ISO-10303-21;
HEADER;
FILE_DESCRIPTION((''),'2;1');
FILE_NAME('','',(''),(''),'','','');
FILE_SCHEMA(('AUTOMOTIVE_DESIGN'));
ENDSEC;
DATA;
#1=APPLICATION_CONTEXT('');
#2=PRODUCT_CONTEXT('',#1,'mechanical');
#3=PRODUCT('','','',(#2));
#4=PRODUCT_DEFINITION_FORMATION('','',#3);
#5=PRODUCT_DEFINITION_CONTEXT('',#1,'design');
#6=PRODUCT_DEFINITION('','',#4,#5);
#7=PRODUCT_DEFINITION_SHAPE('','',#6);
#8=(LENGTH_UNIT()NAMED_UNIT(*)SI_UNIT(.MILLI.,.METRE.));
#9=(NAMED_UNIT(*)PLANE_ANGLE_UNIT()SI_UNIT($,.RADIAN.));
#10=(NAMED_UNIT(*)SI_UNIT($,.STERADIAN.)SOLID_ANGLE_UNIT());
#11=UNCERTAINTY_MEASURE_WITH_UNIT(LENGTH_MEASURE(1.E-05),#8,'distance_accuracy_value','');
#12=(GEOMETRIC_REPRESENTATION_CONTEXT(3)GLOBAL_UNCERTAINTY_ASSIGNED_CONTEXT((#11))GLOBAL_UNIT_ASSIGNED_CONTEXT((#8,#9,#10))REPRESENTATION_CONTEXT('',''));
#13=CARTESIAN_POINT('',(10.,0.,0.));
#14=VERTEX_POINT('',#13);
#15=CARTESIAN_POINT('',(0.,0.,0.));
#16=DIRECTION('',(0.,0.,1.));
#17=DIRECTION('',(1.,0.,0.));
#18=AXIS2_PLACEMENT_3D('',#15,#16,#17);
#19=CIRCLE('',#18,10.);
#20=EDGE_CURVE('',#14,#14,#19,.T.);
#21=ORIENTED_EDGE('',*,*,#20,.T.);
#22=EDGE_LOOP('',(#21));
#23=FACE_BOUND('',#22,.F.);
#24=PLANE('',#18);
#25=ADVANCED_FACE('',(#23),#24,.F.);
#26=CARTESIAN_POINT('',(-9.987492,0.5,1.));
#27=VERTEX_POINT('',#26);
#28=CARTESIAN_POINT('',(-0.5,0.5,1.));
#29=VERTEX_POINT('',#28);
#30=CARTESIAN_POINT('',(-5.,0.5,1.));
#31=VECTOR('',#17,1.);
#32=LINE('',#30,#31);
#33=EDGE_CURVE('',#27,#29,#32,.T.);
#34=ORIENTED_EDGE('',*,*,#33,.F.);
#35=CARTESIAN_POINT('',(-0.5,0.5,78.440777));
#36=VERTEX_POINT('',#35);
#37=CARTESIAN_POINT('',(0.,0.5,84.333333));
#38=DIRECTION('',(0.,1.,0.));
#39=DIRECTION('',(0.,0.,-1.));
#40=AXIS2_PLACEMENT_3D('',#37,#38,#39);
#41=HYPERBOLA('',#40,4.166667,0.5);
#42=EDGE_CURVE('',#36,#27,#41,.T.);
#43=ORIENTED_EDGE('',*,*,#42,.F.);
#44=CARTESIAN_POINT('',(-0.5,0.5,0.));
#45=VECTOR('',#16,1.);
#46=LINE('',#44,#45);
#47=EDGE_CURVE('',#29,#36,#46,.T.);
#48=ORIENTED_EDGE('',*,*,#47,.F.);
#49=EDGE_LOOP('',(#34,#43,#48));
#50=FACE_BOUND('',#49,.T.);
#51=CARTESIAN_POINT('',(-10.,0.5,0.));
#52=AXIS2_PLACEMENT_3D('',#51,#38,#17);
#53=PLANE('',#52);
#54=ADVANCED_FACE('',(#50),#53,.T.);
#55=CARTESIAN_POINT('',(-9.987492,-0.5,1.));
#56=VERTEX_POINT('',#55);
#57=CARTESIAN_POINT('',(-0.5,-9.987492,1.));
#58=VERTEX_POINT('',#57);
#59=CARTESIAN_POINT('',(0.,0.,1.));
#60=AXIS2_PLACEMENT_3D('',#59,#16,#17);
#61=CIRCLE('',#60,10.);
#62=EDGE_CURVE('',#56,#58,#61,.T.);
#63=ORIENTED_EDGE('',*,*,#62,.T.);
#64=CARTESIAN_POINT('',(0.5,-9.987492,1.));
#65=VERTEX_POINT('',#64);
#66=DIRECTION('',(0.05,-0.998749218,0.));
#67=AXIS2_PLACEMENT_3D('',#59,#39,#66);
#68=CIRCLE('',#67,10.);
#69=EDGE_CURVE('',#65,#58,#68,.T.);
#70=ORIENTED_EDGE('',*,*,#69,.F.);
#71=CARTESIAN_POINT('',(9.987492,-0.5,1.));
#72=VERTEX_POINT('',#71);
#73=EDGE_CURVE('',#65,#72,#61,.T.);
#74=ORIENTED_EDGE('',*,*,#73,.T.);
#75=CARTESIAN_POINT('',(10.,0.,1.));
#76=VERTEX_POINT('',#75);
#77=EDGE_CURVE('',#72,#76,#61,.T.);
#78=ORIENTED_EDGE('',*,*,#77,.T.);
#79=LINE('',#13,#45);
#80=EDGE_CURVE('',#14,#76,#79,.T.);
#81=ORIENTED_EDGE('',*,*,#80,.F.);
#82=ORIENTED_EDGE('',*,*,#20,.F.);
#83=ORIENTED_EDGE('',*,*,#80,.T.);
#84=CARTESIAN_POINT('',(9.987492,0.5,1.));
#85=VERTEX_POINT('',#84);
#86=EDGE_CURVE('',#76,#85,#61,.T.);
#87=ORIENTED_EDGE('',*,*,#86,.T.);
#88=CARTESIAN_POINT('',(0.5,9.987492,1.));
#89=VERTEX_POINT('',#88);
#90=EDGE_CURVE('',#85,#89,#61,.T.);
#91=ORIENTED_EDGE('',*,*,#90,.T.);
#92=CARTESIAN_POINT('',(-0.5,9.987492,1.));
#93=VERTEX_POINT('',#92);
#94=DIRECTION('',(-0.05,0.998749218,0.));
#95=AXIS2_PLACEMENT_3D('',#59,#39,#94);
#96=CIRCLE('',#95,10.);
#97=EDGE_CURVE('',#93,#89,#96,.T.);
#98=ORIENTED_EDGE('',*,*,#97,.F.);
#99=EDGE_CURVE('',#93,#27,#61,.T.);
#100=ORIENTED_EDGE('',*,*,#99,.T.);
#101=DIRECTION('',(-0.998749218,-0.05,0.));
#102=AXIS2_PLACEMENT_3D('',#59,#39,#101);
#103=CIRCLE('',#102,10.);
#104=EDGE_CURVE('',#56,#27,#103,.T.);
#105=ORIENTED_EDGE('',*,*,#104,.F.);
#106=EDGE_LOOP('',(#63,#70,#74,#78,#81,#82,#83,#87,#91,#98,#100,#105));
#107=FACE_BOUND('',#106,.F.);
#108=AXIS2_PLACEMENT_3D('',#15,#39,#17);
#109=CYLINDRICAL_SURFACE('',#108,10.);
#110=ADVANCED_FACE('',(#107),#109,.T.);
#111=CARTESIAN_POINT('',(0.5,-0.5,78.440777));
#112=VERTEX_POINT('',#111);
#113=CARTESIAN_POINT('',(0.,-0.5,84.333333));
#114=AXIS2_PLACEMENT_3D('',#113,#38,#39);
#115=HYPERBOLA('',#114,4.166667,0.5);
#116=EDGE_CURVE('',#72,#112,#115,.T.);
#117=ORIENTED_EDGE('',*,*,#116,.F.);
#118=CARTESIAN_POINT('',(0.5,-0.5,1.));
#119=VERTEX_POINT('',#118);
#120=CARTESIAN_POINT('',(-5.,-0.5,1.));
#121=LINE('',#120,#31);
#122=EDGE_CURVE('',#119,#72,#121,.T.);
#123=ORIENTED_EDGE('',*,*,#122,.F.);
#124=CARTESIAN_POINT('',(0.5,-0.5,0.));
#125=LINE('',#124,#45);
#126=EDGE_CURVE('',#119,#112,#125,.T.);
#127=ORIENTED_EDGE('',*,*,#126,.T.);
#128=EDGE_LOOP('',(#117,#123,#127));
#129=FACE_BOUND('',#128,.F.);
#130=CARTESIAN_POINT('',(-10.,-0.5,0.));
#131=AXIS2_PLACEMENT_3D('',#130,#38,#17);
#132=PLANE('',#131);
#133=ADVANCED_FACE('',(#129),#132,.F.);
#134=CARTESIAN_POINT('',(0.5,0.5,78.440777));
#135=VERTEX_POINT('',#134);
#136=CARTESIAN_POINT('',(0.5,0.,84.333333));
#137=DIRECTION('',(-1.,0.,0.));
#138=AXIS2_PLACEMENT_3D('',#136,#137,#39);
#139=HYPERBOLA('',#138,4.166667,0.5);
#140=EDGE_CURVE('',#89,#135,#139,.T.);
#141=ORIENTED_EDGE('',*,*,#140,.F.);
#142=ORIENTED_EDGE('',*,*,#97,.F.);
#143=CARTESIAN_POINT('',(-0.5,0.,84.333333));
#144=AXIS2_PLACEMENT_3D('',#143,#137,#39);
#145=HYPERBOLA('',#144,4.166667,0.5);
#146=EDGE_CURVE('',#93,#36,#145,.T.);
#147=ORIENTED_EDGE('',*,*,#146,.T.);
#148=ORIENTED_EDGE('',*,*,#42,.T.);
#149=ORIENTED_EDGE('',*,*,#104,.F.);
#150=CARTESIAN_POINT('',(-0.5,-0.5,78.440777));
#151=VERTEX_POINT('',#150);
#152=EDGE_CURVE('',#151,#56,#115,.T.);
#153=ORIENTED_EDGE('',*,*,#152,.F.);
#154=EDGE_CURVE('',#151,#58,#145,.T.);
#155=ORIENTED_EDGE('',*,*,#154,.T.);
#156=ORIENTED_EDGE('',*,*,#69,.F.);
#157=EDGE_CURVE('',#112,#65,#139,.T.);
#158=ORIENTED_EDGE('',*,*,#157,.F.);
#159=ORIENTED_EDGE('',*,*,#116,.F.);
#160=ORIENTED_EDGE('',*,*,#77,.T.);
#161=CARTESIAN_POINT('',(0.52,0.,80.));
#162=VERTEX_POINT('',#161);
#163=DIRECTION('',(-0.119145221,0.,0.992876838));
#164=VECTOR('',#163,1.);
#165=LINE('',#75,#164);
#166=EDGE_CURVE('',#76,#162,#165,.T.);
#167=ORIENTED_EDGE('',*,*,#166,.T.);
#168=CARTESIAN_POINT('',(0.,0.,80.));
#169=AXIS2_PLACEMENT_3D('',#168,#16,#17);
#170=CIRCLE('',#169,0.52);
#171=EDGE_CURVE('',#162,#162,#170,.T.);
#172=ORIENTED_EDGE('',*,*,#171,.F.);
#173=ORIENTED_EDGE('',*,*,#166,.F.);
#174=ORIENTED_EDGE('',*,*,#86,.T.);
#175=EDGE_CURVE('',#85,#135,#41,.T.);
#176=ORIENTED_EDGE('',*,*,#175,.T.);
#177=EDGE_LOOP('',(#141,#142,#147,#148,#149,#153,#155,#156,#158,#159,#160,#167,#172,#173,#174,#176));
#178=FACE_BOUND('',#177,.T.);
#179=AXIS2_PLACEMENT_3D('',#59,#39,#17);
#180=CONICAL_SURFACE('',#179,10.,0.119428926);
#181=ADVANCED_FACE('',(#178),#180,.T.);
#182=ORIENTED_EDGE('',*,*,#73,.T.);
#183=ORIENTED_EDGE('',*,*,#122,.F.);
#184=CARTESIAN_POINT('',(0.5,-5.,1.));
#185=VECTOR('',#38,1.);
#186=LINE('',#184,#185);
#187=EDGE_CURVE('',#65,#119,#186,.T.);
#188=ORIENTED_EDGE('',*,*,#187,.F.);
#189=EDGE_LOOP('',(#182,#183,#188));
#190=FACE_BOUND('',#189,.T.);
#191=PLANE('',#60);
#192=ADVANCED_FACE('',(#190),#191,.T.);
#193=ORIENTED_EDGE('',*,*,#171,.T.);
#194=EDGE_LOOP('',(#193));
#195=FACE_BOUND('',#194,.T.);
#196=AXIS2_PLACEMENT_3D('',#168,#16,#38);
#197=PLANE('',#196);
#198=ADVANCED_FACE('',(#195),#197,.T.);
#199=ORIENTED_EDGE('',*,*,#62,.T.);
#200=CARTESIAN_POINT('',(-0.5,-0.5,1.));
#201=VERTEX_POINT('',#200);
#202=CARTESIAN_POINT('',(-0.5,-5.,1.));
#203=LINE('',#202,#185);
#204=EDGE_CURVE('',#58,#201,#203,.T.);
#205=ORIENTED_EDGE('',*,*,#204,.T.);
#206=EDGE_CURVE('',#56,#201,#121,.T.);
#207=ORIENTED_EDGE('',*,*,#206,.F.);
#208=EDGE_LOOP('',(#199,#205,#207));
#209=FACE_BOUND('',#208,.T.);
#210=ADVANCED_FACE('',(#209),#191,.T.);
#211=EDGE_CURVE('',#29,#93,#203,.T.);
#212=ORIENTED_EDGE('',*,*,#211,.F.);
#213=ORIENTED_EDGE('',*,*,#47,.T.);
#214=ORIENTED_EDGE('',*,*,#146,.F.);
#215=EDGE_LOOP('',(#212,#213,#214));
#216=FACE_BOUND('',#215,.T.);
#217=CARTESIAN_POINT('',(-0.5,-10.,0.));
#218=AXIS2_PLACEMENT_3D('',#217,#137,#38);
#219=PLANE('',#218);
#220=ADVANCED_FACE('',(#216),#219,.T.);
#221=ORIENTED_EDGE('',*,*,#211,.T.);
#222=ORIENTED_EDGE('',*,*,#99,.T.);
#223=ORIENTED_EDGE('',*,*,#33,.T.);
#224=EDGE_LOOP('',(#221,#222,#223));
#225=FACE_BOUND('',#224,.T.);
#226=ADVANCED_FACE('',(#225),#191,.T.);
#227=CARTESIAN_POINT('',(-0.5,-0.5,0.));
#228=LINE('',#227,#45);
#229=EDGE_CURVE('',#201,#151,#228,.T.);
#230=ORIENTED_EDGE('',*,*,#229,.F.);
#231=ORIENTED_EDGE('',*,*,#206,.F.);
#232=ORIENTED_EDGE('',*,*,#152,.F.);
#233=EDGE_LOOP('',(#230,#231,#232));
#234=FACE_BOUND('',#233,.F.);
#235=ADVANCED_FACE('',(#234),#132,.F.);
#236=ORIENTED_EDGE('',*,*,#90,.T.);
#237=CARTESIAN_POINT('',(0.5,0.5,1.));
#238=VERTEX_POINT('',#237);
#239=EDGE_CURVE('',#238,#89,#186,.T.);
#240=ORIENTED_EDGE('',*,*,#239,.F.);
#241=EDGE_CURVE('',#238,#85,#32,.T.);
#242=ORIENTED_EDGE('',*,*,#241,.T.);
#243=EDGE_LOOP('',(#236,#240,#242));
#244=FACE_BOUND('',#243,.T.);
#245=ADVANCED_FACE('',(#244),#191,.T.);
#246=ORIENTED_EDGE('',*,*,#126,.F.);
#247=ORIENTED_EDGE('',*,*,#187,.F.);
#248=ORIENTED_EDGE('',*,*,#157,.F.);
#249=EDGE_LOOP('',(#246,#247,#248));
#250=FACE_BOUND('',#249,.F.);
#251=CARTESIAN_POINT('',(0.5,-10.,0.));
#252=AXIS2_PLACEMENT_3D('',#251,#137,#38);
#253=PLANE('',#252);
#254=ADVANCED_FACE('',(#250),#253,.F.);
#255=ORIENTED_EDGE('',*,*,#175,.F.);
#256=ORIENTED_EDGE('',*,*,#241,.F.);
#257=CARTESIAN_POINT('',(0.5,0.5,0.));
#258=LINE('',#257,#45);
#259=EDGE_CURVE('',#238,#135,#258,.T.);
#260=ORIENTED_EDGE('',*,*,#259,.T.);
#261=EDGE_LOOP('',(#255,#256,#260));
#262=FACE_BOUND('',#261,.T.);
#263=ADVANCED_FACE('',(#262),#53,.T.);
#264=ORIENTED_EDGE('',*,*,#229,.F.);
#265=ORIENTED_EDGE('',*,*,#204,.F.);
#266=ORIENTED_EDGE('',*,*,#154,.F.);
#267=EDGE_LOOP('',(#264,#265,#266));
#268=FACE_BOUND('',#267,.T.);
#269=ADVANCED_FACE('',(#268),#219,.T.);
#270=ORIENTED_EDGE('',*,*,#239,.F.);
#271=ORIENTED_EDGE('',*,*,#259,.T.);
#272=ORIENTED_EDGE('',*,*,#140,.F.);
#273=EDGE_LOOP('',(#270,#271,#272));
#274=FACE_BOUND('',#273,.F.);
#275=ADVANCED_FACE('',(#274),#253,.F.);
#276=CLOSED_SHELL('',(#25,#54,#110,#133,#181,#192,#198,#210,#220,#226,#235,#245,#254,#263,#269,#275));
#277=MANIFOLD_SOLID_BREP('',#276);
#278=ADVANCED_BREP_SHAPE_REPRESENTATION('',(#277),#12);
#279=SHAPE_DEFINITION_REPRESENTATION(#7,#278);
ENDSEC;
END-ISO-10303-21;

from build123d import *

# Parameters (mm, degrees)
CYLINDER_R     = 10
CYLINDER_DEPTH = 1
BOX001_W       = 20
BOX001_H       = 1
BOX001_DEPTH   = 80
BOX_W          = 20
BOX_H          = 1
BOX_DEPTH      = 80


with BuildPart() as cylinder:
    # Cylinder → Cylinder (new body)
    with BuildSketch(Plane.XY):
        Circle(CYLINDER_R)
    extrude(amount=CYLINDER_DEPTH)


with BuildPart() as cube001:
    # Box001 → Box001 (new body)
    with BuildSketch(Plane(origin=(0.5, -10, 0), x_dir=(0, 1, 0), z_dir=(0, 0, 1))):
        with Locations((10, 0.5)):
            Rectangle(BOX001_W, BOX001_H)
    extrude(amount=BOX001_DEPTH)


with BuildPart() as fusion:
    # Box → Box (new body)
    with BuildSketch(Plane(origin=(-10, -0.5, 0), x_dir=(1, 0, 0), z_dir=(0, 0, 1))):
        with Locations((10, 0.5)):
            Rectangle(BOX_W, BOX_H)
    extrude(amount=BOX_DEPTH)

    # Fusion: union Cube001
    add(cube001.part)


with BuildPart() as groundanchor:
    # Cone → Cone (revolve)
    with BuildSketch(Plane(origin=(0, 0, 1), x_dir=(1, 0, 0), z_dir=(0, -1, 0))):
        Polygon((0, 0), (10, 0), (0.4, 80), (0, 80), align=None)
    revolve(axis=Axis((0, 0, 1), (0, 0, 1)))

    # Common: intersect Fusion
    add(fusion.part, mode=Mode.INTERSECT)

    # Fusion001: union Cylinder
    add(cylinder.part)


solid = groundanchor.part
